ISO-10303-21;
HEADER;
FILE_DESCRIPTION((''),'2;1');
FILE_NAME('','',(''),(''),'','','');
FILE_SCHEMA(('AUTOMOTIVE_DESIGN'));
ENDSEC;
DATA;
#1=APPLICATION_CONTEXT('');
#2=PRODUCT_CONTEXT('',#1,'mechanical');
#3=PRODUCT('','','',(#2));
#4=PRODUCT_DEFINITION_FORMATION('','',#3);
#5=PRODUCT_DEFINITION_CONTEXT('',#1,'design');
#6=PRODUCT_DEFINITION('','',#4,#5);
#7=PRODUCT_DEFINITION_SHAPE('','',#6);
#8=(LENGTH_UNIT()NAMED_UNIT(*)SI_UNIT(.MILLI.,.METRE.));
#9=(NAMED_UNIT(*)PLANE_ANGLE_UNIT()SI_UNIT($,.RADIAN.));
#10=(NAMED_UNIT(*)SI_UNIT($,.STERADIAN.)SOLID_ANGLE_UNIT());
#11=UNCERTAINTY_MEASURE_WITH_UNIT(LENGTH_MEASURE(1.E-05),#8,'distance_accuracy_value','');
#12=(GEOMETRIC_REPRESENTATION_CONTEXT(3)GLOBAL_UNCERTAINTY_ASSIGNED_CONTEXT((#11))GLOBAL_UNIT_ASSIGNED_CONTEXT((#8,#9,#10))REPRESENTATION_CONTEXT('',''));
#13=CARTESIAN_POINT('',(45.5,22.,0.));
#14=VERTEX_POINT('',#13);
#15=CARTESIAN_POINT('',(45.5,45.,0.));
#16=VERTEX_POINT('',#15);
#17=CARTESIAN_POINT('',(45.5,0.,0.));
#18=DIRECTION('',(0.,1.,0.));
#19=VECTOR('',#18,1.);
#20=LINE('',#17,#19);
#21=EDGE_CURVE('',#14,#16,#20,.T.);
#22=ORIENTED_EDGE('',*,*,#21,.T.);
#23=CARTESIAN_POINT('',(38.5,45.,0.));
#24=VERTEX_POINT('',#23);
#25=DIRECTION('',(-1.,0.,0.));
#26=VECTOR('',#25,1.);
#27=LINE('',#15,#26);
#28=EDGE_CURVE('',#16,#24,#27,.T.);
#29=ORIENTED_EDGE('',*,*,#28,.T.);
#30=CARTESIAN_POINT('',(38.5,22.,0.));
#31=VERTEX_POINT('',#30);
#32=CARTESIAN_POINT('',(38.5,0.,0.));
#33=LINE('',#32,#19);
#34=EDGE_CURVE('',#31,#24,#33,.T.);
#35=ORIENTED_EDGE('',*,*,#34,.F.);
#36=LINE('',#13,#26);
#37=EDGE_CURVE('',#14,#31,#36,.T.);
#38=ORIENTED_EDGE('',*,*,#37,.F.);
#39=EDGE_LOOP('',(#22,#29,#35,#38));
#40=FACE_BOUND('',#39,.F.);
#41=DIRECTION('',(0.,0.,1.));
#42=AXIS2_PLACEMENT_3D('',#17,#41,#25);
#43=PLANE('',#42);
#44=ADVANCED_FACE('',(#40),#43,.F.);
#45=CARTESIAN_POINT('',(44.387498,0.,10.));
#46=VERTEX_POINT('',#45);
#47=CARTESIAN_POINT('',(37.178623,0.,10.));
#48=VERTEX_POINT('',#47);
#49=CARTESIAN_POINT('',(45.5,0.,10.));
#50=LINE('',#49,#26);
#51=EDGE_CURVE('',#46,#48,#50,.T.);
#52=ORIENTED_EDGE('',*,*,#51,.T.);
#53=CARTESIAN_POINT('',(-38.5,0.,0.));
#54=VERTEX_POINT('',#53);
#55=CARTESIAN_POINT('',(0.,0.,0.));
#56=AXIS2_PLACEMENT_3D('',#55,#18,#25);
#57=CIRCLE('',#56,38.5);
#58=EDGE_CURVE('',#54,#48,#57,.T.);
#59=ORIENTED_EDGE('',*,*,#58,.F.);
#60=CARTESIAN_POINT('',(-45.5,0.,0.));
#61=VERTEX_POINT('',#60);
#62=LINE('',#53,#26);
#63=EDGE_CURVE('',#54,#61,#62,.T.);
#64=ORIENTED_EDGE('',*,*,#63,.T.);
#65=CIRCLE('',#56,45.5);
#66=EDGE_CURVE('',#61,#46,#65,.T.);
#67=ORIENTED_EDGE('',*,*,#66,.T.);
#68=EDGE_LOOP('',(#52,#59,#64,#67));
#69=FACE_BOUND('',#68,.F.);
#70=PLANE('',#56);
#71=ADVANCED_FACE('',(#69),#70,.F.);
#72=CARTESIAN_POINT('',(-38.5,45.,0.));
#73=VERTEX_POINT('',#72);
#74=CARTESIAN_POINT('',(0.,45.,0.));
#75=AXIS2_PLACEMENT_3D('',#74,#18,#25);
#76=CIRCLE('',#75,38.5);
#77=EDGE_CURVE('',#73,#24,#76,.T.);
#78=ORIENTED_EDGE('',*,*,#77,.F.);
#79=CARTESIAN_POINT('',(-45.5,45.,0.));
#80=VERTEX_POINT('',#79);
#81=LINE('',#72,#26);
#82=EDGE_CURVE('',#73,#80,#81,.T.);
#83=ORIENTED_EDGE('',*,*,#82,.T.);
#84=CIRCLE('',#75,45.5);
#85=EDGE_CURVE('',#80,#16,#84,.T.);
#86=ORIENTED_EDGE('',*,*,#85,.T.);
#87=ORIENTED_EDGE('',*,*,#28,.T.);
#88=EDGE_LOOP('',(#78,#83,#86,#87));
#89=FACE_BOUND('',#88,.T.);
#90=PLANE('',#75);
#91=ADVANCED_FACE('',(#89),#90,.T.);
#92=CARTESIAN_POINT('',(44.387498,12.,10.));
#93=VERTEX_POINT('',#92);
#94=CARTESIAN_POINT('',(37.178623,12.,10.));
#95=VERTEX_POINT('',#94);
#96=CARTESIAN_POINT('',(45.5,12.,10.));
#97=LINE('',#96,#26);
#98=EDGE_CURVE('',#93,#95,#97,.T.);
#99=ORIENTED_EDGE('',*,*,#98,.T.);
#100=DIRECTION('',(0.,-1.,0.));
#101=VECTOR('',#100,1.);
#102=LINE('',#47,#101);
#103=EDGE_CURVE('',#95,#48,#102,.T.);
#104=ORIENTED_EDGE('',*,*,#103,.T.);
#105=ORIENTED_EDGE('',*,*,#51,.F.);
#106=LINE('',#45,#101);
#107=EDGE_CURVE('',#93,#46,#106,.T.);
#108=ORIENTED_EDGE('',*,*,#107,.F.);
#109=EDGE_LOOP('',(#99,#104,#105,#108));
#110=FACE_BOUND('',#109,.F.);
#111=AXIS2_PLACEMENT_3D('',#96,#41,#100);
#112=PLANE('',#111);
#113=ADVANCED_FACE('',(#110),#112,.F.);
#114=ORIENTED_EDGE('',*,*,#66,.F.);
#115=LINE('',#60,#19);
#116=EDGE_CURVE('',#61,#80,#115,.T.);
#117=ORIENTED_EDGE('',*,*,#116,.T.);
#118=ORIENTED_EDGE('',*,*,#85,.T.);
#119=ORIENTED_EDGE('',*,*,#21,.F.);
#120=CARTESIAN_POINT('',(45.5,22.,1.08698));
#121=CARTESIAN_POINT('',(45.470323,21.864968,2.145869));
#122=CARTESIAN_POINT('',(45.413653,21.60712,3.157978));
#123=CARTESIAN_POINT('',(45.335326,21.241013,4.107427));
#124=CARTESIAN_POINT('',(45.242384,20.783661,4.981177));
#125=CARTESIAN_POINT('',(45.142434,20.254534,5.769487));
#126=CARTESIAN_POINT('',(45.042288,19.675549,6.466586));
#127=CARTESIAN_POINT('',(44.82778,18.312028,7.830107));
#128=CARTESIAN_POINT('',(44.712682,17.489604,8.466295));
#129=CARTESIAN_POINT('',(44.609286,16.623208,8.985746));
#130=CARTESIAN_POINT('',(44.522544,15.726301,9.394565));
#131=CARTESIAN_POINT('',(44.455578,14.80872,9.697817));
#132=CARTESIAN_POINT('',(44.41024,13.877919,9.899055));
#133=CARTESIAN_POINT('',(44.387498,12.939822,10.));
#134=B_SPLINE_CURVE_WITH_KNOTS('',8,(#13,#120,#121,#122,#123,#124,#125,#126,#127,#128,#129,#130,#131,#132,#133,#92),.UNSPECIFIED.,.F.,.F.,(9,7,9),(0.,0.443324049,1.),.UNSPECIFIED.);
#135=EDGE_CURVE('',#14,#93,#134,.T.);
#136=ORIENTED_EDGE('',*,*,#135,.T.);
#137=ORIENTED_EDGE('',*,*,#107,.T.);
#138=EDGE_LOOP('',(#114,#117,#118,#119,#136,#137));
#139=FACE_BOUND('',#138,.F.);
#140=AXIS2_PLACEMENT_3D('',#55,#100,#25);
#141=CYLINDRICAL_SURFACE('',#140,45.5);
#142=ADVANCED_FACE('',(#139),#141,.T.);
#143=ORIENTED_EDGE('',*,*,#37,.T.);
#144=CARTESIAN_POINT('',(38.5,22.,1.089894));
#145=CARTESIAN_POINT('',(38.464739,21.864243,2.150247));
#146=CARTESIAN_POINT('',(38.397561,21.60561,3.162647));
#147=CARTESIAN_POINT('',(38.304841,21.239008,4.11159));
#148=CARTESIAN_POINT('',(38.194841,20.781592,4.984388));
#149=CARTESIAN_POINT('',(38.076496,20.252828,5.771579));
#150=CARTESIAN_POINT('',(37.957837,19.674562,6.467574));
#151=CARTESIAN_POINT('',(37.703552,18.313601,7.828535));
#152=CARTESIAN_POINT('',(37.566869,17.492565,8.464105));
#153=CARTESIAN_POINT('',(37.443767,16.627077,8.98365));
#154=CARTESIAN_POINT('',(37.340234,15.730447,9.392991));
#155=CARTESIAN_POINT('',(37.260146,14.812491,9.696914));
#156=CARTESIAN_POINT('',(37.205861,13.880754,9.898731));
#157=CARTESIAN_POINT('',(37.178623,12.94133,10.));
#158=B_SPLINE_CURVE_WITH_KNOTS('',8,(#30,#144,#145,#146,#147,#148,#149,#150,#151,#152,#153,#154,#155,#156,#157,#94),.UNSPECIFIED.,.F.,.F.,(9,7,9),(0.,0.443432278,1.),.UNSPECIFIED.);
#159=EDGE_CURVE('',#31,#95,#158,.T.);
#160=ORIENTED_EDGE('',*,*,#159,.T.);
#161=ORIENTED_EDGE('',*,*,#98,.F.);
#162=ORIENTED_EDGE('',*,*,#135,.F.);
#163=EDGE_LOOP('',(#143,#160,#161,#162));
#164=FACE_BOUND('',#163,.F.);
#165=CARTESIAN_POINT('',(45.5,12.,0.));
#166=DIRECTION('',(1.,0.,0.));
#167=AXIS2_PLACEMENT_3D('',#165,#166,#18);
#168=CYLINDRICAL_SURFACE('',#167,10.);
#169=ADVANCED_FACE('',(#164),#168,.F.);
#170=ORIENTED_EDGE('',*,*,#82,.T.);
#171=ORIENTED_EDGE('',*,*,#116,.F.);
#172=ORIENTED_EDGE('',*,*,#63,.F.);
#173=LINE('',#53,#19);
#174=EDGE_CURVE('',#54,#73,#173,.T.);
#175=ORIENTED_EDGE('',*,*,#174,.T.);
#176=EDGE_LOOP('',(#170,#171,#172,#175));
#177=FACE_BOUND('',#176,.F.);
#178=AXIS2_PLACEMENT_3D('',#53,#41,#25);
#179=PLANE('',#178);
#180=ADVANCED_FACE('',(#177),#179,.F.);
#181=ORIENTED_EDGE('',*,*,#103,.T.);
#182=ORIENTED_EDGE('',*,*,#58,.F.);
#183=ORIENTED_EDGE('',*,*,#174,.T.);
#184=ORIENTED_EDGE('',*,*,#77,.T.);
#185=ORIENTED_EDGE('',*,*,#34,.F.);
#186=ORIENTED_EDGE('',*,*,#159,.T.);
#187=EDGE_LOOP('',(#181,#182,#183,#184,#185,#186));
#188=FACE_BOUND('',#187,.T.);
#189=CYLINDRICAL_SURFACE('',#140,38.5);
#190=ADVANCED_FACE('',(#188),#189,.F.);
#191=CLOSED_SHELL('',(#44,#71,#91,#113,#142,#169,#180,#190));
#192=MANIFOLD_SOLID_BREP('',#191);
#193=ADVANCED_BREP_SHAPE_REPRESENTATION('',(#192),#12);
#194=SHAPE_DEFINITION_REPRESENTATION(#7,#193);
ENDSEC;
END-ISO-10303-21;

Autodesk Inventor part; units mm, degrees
ref_plane "YZ Plane" through (0, 0, 0) normal (1, 0, 0) x (0, 1, 0)
ref_plane "XZ Plane" through (0, 0, 0) normal (0, 1, 0) x (-1, 0, 0)
ref_plane "XY Plane" through (0, 0, 0) normal (0, 0, 1) x (1, 0, 0)
sketch "Sketch1" plane through (0, 0, 0) normal (0, 1, 0) x (-1, 0, 0)
  circle A0 centre (0, 0) radius 45.5
  circle A1 centre (0, 0) radius 38.5
  line L0 (-45.5, 0) -> (-38.5, 0)
  line L1 (38.5, 0) -> (45.5, 0)
  dimension "d1" = 7
  dimension "d4" = 91
extrude "Extrusion1" add sketch "Sketch1" along normal blind 45 contours L1 A1 L0 A0 picked at (-42.8352, 3.1533)
ref_plane "Work Plane1" through (45.5, 0, 0) normal (1, 0, 0) x (0, 1, 0)
sketch "Sketch2" plane through (45.5, 0, 0) normal (1, 0, 0) x (0, 1, 0)
  arc A0 (22, 0) -> (12, 10) centre (12, 0) ccw
  line L0 (0, 0) -> (0, 45.5) projected
  line L1 (0, 0) -> (45, 0) projected
  line L2 (22, 0) -> (22, 0)
  line L3 (0, 0) -> (45, 0) projected
  line L4 (2, 0) -> (2, 0)
  line L5 (22, 0) -> (2, 0)
  line L6 (12, 10) -> (0, 10)
  line L7 (0, 38.5) -> (0, 0) projected
  line L8 (0, 10) -> (0, 0)
  line L9 (0, 0) -> (12, 0)
  dimension "d7" = 20
  dimension "KisFogaskerekBesulyesztese" = 12
  dimension "d9" = 0
extrude "Extrusion2" cut sketch "Sketch2" against normal blind 50
equation "\"d1\" = PVCfalVastagsag"
equation "\"d4\" = KulsoAtmeroPVCcso"
equation "\"KisFogaskerekBesulyesztese\" = KisFogaskerekBesulyesztes"
equation "\"PVCfalVastagsag\" = 7"
equation "\"KulsoAtmeroPVCcso\" = 91"
equation "\"KisFogaskerekBesulyesztes\" = 12"
properties part number "BurkolatPVCszenzorFedel" material "PVC-Piping"
